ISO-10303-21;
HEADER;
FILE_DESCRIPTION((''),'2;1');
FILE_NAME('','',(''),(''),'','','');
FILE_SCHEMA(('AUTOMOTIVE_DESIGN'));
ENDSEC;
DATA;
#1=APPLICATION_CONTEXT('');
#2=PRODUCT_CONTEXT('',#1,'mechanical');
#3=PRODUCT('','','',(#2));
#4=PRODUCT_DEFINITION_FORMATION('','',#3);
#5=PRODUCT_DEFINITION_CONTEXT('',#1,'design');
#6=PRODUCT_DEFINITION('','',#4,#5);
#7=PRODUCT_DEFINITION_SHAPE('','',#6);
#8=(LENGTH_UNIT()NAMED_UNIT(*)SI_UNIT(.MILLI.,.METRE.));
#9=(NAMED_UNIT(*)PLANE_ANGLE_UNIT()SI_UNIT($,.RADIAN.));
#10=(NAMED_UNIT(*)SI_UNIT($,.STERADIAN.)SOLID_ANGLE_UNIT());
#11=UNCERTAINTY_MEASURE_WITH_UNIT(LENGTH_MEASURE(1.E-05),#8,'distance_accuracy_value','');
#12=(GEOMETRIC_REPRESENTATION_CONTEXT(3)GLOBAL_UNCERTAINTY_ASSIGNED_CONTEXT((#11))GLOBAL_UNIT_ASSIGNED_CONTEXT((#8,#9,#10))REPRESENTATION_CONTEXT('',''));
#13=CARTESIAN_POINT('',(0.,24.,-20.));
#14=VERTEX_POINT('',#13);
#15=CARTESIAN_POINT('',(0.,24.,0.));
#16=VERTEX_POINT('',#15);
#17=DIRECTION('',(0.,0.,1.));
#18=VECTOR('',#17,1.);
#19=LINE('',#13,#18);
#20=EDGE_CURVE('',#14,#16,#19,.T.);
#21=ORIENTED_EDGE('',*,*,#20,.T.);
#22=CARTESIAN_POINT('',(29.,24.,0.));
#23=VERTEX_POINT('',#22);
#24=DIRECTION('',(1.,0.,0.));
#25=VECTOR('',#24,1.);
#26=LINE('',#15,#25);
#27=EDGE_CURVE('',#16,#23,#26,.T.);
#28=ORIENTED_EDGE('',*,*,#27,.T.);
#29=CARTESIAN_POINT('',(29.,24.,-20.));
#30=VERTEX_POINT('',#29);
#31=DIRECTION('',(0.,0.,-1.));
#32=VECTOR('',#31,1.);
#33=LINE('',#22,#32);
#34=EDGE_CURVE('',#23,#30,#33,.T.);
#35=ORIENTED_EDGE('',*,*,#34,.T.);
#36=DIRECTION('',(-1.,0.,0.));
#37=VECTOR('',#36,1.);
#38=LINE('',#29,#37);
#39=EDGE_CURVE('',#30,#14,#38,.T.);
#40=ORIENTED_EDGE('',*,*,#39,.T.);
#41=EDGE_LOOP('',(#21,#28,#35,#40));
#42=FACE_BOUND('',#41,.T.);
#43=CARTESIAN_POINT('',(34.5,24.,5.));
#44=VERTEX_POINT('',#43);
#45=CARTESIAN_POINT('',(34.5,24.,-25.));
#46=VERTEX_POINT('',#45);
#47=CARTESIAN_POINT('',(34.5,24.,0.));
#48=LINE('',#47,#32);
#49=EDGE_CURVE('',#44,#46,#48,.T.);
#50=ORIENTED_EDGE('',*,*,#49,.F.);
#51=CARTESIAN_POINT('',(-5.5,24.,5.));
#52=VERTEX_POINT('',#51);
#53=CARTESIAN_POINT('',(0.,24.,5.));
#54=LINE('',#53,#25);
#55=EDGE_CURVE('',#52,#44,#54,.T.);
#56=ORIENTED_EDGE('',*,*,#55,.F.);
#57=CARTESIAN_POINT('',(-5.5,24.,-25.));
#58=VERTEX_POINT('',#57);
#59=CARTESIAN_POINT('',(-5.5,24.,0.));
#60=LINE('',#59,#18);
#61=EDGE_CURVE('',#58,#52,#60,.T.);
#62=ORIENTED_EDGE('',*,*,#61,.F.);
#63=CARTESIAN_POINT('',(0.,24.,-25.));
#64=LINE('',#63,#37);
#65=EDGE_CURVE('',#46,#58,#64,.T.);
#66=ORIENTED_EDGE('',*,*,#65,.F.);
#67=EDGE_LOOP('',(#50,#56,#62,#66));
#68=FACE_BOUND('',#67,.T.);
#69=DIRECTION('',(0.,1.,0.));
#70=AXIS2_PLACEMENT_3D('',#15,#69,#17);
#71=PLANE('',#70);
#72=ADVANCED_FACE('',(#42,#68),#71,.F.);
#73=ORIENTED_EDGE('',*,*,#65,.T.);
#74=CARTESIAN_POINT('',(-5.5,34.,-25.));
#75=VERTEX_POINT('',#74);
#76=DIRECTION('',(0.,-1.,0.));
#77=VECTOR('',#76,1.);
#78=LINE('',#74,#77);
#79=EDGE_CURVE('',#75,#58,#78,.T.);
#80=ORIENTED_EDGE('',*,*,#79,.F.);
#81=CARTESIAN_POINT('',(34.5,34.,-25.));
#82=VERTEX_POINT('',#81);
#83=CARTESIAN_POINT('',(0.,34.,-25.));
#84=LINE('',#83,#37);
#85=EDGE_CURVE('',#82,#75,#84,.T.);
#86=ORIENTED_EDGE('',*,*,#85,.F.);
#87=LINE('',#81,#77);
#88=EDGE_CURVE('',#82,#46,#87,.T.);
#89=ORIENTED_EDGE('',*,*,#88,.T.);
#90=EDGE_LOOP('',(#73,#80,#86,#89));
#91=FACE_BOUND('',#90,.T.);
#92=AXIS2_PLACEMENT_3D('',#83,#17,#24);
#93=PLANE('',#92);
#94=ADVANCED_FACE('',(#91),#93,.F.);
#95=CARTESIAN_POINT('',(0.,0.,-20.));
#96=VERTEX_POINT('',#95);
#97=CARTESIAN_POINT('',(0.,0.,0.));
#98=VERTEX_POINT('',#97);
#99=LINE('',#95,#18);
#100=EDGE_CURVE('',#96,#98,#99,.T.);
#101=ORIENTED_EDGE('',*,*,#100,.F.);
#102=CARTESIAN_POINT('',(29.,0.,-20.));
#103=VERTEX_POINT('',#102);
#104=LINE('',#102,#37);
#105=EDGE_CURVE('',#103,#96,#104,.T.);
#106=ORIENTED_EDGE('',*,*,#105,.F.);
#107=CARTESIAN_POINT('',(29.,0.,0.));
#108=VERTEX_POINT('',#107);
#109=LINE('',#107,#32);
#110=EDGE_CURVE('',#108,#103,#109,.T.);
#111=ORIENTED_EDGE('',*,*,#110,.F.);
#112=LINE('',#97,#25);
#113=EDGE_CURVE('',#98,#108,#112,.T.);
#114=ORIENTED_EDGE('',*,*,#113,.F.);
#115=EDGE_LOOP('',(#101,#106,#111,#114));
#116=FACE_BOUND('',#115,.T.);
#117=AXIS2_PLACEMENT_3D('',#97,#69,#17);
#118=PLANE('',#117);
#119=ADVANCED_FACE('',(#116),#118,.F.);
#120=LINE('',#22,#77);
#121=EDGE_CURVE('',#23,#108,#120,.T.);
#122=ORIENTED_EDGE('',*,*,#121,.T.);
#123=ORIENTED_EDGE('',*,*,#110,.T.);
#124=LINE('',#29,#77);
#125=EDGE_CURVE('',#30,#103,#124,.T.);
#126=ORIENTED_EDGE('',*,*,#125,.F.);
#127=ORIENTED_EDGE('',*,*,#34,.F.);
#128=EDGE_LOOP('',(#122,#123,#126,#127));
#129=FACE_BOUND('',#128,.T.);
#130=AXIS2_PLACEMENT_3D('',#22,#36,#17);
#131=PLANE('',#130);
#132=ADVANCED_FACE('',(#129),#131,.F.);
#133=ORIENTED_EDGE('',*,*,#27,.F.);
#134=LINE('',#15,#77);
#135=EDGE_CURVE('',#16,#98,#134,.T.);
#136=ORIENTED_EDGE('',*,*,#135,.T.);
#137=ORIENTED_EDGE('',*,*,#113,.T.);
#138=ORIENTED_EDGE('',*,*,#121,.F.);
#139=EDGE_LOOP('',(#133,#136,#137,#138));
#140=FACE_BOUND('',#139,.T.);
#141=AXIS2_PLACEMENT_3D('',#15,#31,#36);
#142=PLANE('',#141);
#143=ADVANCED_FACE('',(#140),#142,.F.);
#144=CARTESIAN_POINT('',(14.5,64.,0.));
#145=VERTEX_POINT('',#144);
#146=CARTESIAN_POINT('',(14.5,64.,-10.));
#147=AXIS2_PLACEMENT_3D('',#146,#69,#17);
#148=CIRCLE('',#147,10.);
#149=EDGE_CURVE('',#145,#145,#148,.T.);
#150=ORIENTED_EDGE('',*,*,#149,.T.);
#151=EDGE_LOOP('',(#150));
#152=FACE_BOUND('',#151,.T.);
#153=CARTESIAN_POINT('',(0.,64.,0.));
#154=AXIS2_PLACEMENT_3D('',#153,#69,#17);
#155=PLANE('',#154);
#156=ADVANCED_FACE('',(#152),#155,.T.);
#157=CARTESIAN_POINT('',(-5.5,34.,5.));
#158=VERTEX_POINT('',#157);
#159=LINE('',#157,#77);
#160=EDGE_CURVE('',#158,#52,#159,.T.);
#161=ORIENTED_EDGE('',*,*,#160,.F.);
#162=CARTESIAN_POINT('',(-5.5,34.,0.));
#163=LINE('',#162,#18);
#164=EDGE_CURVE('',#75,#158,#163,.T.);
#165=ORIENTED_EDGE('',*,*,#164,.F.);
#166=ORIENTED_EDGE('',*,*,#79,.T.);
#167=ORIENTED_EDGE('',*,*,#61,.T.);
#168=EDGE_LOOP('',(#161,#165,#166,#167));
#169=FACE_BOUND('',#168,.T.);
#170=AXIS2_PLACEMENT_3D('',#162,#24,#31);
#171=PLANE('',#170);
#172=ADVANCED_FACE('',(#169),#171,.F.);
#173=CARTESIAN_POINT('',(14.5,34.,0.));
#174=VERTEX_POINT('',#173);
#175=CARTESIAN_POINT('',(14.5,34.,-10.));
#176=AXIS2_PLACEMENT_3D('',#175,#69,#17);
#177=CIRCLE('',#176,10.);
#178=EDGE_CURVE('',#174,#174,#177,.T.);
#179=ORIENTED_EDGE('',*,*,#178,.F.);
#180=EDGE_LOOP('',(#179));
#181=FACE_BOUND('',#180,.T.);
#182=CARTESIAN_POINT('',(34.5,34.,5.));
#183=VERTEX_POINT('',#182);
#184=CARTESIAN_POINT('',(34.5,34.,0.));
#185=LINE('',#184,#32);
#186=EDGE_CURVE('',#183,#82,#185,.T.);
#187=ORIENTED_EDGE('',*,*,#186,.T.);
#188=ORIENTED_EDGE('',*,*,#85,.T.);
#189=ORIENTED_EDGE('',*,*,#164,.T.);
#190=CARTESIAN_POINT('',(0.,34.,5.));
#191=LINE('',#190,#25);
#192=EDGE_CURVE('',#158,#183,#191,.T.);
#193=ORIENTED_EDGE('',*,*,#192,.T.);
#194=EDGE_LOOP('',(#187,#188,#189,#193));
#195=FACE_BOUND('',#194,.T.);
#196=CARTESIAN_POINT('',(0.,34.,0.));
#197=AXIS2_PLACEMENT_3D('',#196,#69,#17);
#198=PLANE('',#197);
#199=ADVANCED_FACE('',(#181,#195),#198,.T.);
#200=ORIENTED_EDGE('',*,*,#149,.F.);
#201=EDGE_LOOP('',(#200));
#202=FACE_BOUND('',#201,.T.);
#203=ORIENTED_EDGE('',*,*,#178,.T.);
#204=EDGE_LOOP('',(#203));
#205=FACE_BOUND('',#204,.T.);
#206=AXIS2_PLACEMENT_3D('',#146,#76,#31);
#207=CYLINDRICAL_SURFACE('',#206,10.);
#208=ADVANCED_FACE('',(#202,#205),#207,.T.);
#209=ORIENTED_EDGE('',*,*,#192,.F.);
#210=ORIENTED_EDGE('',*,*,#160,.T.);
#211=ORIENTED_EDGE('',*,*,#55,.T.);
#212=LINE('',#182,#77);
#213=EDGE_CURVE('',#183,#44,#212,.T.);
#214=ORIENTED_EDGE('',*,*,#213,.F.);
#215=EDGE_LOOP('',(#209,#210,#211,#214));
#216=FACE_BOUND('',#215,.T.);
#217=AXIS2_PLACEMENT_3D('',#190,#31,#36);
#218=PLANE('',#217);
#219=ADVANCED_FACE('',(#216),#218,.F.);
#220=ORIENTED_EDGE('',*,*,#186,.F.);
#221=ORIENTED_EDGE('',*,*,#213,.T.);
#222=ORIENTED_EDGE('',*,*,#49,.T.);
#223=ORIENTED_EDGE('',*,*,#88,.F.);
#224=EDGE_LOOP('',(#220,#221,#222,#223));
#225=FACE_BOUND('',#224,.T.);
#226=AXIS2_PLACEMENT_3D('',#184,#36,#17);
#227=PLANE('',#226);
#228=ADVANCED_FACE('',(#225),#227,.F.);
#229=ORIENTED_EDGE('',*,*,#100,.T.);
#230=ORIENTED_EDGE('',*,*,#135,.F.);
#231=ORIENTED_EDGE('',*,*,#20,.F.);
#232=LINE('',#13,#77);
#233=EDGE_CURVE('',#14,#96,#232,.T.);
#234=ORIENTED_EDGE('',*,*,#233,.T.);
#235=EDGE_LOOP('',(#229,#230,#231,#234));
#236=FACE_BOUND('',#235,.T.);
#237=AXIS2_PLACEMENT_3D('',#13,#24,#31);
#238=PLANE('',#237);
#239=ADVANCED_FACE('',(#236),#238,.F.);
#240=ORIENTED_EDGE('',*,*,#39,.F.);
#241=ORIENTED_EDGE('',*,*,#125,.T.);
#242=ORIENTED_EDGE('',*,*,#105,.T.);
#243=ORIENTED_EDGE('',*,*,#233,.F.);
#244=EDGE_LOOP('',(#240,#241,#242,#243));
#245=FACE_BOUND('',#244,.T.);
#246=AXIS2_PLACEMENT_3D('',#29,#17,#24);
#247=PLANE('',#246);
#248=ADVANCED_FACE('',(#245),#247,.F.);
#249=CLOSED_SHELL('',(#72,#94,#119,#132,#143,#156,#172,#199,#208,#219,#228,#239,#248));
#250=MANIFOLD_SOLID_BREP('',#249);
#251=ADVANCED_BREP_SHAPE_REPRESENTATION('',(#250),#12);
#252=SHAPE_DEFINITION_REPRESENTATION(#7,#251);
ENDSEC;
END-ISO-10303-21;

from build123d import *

# Parameters (mm, degrees)
SKETCH_1_W      = 29
SKETCH_1_H      = 20
EXTRUDE_1_DEPTH = 24
SKETCH_2_W      = 14.5
SKETCH_2_H      = 10
SKETCH_2_W_2    = 5.5
EXTRUDE_2_DEPTH = 10
EXTRUDE_3_DEPTH = 30


with BuildPart() as part:
    # 草图1 → 凸台-拉伸1 (new body)
    with BuildSketch(Plane(origin=(0, 0, 0), x_dir=(1, 0, 0), z_dir=(0, 1, 0))):
        with Locations((14.5, 10)):
            Rectangle(SKETCH_1_W, SKETCH_1_H)
    extrude(amount=EXTRUDE_1_DEPTH)

    # 草图2 → 凸台-拉伸2 (add)
    with BuildSketch(Plane(origin=(0, 24, 0), x_dir=(1, 0, 0), z_dir=(0, 1, 0))):
        with Locations((7.25, 5)):
            Rectangle(SKETCH_2_W, SKETCH_2_H)
        Polygon((0, 0), (0, 10), (0, 20), (14.5, 20), (29, 20), (29, 10), (34.5, 10), (34.5, 25), (-5.5, 25), (-5.5, -5), (34.5, -5), (34.5, 0), (29, 0), (14.5, 0), align=None)
        with Locations((21.75, 5)):
            Rectangle(SKETCH_2_W, SKETCH_2_H)
        with Locations((31.75, 5)):
            Rectangle(SKETCH_2_W_2, SKETCH_2_H)
        with Locations((21.75, 15)):
            Rectangle(SKETCH_2_W, SKETCH_2_H)
        with Locations((7.25, 15)):
            Rectangle(SKETCH_2_W, SKETCH_2_H)
    extrude(amount=EXTRUDE_2_DEPTH)

    # 草图3 → 凸台-拉伸3 (add)
    with BuildSketch(Plane(origin=(0, 34, 0), x_dir=(1, 0, 0), z_dir=(0, 1, 0))):
        with BuildLine():
            ThreePointArc((14.5, 20), (7.428932188, 17.071067812), (4.5, 10))
            Line((4.5, 10), (14.5, 10))
            Line((14.5, 10), (14.5, 20))
        make_face()
        with BuildLine():
            Line((14.5, 10), (4.5, 10))
            ThreePointArc((4.5, 10), (7.428932188, 2.928932188), (14.5, 0))
            Line((14.5, 0), (14.5, 10))
        make_face()
        with BuildLine():
            Line((14.5, 20), (14.5, 10))
            Line((14.5, 10), (24.5, 10))
            ThreePointArc((24.5, 10), (21.571067812, 17.071067812), (14.5, 20))
        make_face()
        with BuildLine():
            Line((24.5, 10), (14.5, 10))
            Line((14.5, 10), (14.5, 0))
            ThreePointArc((14.5, 0), (21.571067812, 2.928932188), (24.5, 10))
        make_face()
    extrude(amount=EXTRUDE_3_DEPTH)


solid = part.part
